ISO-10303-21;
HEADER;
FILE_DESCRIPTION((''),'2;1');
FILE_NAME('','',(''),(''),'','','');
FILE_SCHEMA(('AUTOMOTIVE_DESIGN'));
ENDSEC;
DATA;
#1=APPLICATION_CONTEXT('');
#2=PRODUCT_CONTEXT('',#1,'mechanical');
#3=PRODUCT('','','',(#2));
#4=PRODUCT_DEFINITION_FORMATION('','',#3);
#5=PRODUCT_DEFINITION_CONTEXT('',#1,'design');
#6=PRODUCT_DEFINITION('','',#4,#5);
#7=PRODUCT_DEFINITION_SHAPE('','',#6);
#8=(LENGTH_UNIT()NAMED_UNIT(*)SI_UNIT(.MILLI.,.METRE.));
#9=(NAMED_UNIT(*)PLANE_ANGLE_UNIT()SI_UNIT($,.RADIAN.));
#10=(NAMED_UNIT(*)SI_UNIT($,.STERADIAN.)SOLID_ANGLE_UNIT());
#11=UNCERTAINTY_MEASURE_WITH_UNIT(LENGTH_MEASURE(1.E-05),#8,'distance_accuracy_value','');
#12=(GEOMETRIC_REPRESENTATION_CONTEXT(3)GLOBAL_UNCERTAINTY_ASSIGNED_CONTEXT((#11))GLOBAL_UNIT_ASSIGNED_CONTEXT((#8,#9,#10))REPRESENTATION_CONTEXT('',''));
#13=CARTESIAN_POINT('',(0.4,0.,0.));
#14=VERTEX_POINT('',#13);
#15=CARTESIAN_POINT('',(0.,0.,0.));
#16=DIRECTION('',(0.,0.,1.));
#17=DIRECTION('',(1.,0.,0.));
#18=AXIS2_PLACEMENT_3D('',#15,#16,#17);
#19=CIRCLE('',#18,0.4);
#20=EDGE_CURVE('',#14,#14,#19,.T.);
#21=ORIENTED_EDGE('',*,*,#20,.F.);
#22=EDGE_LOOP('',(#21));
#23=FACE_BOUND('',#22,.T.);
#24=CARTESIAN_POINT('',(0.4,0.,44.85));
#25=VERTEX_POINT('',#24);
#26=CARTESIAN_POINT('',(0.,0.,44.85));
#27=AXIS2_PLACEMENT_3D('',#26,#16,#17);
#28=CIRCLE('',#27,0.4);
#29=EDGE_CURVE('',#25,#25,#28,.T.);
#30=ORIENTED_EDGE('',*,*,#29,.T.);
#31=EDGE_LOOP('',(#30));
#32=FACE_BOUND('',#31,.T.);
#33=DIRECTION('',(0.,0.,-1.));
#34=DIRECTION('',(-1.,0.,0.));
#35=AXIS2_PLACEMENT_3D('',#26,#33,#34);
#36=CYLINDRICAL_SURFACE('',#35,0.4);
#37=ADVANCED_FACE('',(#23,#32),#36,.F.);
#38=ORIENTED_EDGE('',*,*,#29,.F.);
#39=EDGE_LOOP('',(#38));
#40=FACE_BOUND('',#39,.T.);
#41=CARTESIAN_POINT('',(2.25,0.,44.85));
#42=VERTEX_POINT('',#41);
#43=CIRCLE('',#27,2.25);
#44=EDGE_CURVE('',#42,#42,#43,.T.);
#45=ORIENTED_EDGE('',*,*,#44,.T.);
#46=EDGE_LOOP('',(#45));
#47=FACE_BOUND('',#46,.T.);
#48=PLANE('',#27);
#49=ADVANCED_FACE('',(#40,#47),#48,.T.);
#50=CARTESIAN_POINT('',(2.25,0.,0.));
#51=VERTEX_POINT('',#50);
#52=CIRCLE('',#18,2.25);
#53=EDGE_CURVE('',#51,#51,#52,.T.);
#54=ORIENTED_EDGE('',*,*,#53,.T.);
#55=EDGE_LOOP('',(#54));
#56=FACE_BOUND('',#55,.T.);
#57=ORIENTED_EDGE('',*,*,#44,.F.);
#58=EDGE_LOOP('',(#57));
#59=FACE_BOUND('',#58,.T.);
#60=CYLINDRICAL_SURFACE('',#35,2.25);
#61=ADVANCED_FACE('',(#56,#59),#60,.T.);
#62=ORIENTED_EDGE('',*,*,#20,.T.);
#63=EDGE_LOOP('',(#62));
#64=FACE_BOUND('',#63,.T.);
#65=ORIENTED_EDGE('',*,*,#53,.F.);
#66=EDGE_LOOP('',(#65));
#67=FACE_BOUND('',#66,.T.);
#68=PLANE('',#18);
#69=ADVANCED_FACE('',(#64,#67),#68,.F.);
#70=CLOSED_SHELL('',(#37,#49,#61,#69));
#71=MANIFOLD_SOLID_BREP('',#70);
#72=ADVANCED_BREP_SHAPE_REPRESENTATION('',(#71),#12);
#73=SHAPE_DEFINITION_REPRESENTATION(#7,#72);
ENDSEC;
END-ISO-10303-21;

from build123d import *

# Parameters (mm, degrees)
SKETCH1_R           = 2.25
SKETCH1_R_2         = 0.4
BOSS_EXTRUDE1_DEPTH = 44.85


with BuildPart() as part:
    # Sketch1 → Boss-Extrude1 (new body)
    with BuildSketch(Plane.XY):
        Circle(SKETCH1_R)
        Circle(SKETCH1_R_2, mode=Mode.SUBTRACT)
    extrude(amount=BOSS_EXTRUDE1_DEPTH)


solid = part.part
